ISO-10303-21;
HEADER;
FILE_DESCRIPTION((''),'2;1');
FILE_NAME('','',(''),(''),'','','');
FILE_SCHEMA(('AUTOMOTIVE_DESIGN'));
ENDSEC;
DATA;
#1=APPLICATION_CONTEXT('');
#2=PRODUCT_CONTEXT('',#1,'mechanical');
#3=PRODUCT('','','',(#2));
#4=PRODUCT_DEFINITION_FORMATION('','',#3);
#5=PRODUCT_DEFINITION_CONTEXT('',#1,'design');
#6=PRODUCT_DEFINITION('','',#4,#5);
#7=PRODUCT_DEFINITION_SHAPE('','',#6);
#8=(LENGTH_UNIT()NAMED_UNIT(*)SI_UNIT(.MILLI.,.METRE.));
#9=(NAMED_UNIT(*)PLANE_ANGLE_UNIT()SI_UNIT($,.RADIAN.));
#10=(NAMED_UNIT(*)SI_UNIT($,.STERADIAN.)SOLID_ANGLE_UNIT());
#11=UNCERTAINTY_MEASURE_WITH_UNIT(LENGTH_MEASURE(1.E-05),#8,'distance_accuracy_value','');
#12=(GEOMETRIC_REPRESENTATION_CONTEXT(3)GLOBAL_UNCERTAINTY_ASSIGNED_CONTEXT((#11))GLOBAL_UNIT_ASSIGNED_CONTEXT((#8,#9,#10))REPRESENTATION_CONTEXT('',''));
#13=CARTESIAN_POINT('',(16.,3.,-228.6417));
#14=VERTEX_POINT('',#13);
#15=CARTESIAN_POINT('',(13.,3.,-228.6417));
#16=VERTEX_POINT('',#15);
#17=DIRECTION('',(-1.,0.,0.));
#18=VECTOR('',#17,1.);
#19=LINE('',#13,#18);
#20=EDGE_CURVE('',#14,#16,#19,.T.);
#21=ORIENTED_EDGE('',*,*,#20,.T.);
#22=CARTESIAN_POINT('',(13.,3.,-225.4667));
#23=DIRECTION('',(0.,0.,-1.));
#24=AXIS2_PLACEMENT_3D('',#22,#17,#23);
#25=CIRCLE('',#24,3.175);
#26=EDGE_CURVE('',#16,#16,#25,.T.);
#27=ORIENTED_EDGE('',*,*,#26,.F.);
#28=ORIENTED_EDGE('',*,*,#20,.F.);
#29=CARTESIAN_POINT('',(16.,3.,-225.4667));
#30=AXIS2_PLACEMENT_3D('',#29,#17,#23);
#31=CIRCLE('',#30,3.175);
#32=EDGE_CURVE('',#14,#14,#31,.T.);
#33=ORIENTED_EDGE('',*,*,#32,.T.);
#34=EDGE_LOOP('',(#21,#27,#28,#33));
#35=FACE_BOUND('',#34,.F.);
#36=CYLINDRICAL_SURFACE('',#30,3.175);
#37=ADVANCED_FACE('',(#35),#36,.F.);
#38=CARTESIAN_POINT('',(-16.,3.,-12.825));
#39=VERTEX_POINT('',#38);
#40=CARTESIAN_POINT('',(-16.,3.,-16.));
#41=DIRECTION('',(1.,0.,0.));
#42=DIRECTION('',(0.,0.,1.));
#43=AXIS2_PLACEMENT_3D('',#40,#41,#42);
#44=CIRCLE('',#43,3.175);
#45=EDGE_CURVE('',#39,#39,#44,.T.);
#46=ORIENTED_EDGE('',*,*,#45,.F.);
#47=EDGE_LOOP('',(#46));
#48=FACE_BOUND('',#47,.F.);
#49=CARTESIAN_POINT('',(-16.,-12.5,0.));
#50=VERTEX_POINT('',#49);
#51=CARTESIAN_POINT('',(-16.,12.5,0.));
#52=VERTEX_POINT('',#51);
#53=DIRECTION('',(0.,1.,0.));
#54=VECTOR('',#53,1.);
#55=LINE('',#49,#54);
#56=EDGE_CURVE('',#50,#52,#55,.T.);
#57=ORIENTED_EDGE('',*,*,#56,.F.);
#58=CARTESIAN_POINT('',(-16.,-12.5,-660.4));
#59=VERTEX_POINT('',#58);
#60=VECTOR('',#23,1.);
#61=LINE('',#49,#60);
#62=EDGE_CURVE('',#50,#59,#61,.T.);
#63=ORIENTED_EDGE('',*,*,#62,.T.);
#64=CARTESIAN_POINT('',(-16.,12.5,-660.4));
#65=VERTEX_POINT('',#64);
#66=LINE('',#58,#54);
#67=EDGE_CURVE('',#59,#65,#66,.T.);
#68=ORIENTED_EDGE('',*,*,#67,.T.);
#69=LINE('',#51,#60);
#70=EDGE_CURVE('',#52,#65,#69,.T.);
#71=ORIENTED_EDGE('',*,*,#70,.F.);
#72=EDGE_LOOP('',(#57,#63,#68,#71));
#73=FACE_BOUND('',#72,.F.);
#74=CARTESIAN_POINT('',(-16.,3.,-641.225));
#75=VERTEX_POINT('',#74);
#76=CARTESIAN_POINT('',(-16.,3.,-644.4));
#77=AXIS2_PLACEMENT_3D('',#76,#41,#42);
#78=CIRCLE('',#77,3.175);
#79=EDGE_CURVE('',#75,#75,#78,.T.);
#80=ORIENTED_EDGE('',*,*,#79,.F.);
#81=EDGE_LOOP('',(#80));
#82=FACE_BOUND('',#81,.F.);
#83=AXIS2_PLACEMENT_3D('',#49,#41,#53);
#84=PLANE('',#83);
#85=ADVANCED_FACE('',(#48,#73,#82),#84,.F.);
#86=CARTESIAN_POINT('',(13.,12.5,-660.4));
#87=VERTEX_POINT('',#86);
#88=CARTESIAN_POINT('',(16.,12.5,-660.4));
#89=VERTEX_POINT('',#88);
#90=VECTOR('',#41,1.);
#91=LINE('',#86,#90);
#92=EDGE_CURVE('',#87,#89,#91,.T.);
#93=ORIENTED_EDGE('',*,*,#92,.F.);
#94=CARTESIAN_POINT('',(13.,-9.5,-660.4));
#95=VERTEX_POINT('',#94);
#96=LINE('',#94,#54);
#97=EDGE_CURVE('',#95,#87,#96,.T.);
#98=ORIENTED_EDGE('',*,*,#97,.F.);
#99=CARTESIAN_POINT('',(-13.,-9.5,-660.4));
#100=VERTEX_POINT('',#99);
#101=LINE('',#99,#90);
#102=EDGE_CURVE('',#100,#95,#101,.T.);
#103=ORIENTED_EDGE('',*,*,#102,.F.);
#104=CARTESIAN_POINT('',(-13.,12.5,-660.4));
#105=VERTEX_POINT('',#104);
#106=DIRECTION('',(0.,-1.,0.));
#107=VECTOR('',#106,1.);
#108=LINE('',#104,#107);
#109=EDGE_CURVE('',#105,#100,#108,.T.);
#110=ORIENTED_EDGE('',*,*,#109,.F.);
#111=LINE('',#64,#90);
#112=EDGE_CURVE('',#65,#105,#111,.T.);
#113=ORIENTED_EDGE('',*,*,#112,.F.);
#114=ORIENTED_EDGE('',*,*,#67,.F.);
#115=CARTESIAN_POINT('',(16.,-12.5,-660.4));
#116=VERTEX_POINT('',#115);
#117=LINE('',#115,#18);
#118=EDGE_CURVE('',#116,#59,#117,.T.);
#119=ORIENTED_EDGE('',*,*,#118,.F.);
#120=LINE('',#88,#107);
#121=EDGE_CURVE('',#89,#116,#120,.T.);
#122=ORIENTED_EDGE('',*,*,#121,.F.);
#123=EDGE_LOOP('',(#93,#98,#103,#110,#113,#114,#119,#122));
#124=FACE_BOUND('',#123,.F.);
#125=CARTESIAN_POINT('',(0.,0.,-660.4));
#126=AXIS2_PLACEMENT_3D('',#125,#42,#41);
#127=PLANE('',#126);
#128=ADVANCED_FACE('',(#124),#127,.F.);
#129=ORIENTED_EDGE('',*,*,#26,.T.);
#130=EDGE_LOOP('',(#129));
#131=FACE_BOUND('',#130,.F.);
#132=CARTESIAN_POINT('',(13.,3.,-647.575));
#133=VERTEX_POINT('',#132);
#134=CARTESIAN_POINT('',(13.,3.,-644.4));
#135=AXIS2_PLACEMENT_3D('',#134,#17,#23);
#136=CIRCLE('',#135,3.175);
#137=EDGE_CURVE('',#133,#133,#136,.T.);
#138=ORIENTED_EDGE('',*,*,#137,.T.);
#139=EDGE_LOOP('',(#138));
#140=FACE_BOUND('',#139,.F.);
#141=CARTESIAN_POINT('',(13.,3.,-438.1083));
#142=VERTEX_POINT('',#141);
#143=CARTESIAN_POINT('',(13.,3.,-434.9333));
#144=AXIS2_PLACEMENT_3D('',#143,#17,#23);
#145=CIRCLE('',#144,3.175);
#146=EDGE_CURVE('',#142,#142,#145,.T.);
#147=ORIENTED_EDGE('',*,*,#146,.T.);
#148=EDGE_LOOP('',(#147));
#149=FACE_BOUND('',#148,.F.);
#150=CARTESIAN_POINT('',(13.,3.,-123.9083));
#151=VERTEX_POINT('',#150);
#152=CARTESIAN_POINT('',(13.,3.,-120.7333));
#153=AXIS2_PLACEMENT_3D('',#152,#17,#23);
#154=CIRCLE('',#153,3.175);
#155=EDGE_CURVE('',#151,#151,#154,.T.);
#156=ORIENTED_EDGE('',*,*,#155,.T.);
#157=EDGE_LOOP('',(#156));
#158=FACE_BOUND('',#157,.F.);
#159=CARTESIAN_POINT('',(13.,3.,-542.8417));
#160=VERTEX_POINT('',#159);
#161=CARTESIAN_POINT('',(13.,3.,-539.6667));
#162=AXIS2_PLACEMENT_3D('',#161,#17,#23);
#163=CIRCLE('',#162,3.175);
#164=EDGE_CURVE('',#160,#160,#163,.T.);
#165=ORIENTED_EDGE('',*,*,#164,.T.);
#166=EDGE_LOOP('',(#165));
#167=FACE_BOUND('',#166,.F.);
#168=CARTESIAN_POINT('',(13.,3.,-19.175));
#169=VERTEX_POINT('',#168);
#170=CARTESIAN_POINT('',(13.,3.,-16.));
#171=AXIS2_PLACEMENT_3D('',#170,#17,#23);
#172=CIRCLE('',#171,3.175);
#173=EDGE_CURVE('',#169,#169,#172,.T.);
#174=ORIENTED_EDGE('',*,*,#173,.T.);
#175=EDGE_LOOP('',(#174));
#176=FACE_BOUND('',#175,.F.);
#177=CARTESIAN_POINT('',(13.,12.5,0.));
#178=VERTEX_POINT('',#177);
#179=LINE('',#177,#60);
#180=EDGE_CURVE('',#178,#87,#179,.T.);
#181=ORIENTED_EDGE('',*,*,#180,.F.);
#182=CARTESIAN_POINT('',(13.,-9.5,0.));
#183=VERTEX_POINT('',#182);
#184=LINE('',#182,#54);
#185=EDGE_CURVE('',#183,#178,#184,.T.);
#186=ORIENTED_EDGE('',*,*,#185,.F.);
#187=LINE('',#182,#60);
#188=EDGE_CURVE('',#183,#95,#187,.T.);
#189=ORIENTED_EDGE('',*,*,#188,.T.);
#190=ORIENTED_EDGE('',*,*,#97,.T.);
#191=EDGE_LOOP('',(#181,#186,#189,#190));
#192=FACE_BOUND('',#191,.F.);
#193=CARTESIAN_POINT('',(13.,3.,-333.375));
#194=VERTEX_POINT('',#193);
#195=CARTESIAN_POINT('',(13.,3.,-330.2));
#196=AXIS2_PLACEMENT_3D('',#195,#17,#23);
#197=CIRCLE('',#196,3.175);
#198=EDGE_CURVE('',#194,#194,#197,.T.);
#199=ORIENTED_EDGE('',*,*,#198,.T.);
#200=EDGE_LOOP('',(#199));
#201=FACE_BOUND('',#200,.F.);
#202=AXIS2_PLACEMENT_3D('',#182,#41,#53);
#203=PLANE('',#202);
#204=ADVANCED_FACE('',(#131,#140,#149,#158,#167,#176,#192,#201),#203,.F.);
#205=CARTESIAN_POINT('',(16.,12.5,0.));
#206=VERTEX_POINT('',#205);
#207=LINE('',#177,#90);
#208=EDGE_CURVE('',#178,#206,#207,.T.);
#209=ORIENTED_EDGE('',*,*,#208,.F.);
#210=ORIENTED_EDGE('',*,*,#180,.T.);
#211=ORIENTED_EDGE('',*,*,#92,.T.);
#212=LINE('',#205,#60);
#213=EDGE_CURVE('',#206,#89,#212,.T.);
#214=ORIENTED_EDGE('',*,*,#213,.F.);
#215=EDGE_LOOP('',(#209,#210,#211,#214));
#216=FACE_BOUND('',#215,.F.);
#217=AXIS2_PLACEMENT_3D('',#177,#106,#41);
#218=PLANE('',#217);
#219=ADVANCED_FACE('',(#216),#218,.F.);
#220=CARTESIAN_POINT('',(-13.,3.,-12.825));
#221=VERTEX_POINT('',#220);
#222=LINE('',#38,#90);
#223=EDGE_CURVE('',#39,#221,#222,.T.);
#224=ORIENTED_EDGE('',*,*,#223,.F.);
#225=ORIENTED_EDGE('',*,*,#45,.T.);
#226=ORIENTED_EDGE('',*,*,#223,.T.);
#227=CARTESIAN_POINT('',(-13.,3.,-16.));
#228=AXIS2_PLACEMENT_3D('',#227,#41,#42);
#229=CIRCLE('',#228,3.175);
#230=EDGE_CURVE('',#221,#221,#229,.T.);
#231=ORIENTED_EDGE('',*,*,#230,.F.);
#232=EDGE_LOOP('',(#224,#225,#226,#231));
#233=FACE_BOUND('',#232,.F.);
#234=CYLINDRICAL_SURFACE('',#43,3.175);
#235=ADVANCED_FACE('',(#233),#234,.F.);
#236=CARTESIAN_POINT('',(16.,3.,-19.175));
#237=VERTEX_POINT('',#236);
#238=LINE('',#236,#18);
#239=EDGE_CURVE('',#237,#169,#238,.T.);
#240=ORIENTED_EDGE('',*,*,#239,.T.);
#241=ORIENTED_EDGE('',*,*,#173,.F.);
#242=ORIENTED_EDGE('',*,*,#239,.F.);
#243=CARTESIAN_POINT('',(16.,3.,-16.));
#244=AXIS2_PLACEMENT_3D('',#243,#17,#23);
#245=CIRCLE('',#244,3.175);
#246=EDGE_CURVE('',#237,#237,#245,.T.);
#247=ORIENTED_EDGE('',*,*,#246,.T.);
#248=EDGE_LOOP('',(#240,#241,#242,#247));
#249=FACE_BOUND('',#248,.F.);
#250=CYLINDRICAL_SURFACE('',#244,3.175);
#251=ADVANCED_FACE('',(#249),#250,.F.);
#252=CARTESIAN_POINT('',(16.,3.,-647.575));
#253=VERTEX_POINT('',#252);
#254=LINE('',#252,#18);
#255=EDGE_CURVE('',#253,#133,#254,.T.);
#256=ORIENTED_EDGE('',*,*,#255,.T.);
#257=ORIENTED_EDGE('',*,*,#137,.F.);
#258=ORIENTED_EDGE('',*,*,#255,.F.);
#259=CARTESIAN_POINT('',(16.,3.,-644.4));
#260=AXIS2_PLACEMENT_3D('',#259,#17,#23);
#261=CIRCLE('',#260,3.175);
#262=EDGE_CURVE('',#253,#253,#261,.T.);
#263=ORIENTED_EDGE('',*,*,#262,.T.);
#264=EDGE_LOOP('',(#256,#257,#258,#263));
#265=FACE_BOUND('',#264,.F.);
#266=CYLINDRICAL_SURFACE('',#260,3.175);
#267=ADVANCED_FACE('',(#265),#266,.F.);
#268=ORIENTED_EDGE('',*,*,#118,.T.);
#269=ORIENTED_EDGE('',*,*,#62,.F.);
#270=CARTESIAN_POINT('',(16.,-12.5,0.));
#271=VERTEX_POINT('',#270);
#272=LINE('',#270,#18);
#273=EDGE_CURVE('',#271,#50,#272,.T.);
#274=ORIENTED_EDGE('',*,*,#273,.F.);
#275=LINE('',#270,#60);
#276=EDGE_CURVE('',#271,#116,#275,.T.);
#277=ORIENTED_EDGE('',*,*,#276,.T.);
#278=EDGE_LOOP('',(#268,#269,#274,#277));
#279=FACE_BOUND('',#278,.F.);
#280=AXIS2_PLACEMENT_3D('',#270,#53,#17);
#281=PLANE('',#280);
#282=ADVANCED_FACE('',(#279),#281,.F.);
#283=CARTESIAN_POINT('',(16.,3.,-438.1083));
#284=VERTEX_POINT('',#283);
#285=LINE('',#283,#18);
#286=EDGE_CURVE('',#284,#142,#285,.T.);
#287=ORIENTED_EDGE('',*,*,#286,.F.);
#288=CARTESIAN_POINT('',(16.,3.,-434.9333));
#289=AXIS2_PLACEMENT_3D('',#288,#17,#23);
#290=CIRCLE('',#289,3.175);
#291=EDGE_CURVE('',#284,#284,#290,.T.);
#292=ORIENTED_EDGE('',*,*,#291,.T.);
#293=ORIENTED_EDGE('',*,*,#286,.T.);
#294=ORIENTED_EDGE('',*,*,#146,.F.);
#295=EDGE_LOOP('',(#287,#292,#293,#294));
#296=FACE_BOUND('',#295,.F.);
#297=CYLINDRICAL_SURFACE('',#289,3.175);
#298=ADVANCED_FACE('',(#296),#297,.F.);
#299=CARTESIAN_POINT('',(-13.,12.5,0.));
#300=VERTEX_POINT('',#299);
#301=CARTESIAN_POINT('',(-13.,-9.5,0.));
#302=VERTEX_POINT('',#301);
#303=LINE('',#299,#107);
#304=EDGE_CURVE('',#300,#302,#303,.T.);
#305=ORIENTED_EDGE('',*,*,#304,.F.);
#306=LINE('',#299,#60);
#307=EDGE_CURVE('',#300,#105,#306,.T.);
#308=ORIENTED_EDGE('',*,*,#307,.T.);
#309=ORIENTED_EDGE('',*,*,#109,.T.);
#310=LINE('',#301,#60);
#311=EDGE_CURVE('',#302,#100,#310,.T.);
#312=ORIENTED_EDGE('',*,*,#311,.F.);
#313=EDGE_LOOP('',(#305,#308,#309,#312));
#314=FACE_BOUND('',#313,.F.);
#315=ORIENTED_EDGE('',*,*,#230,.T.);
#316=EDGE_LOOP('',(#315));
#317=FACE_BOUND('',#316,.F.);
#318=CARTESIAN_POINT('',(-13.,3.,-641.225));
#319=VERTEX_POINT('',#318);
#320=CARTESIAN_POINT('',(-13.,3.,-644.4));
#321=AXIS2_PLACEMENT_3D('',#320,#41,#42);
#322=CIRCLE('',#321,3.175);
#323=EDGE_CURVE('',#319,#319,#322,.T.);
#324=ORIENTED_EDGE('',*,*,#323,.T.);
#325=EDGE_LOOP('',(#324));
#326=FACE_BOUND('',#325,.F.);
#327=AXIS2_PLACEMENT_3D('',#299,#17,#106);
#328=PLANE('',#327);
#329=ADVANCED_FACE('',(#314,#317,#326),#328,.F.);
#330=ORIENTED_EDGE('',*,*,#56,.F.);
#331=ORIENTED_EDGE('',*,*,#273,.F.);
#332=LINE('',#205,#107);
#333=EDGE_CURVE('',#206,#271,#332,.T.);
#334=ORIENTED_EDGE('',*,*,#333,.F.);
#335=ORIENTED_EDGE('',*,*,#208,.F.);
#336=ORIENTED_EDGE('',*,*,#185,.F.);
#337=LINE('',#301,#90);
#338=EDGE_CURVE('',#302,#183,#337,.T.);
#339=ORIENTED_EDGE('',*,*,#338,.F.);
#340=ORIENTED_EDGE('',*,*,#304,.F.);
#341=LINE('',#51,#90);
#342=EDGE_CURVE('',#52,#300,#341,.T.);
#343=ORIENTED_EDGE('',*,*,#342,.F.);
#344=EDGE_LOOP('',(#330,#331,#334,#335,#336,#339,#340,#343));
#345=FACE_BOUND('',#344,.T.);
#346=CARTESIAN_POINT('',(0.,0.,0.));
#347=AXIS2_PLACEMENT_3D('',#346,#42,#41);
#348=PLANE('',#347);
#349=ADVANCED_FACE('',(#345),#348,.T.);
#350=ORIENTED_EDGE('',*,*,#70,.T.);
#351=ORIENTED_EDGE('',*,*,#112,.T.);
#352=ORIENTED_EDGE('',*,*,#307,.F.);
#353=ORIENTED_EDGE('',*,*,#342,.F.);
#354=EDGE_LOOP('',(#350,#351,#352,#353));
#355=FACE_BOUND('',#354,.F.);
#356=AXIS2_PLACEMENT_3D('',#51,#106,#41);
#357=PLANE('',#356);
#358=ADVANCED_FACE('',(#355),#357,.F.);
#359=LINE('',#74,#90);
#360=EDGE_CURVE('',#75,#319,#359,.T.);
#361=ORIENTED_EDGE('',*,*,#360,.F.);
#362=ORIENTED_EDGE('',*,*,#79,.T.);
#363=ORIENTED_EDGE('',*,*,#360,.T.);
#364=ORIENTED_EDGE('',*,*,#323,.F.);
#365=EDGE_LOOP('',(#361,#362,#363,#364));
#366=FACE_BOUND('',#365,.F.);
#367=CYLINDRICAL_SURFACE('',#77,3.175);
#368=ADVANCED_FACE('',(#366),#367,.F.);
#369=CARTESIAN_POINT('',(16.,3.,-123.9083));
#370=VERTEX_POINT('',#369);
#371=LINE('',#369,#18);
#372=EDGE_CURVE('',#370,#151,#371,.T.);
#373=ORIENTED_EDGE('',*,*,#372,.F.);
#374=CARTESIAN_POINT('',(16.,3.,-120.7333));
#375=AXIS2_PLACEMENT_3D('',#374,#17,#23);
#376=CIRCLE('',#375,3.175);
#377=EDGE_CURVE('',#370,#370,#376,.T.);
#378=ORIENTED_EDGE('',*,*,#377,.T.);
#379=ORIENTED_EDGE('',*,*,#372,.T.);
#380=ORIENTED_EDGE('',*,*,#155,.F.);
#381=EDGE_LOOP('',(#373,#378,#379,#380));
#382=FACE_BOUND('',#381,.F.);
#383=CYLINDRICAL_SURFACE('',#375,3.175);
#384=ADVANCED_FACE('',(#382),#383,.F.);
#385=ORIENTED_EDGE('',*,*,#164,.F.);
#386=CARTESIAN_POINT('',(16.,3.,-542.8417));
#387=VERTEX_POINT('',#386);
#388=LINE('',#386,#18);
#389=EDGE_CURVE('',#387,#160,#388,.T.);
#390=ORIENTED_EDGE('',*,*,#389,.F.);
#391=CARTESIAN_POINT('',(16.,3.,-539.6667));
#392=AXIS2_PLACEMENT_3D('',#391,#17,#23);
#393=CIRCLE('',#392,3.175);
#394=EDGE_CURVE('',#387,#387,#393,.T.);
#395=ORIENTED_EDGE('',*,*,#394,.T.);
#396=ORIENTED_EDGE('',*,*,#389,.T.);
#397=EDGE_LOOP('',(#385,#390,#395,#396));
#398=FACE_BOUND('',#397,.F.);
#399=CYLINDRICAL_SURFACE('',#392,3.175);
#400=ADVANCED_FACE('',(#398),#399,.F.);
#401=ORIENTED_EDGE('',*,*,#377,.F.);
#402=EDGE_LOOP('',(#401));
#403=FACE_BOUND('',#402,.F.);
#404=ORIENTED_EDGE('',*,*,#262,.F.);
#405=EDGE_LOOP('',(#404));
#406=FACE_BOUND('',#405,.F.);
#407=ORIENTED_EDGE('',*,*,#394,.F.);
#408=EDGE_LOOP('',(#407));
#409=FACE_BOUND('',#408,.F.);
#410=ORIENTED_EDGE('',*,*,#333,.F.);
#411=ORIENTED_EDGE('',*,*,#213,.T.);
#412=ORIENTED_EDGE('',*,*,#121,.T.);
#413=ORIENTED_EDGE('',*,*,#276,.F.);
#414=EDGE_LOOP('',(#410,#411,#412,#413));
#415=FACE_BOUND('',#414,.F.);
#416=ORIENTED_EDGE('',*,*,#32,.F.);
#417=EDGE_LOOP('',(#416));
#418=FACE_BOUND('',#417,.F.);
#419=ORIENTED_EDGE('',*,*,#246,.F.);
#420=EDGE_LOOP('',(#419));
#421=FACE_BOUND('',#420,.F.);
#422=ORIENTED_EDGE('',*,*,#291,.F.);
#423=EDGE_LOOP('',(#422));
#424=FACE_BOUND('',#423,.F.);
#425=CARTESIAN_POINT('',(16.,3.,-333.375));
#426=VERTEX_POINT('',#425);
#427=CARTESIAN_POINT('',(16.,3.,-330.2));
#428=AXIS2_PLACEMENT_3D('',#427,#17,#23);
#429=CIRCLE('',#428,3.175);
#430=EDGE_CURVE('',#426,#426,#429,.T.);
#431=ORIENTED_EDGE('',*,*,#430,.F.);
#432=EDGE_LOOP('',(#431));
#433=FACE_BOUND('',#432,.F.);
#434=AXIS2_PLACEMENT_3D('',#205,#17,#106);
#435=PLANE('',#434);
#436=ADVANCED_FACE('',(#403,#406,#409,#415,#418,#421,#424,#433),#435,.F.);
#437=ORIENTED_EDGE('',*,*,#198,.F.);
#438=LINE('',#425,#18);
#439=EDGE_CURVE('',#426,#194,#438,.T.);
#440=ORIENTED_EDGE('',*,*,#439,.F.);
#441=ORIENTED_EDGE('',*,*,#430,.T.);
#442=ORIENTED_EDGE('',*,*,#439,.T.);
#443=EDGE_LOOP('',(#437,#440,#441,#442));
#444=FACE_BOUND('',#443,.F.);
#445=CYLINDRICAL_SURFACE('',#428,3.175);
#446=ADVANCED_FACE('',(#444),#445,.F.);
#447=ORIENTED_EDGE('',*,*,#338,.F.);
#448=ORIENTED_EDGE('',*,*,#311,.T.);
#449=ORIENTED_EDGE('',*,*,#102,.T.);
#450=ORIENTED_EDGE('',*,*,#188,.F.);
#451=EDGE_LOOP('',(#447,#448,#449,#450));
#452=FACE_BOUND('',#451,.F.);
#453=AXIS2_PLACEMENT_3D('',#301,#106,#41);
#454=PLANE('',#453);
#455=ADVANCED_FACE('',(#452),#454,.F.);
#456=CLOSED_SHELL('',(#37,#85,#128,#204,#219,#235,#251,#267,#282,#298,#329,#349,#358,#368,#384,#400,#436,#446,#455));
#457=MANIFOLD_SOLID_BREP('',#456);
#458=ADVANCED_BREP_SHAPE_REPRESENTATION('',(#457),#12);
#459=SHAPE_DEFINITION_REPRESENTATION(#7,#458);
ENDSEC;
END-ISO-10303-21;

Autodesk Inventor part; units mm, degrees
ref_plane "YZ Plane" through (0, 0, 0) normal (1, 0, 0) x (0, 1, 0)
ref_plane "XZ Plane" through (0, 0, 0) normal (0, 1, 0) x (-1, 0, 0)
ref_plane "XY Plane" through (0, 0, 0) normal (0, 0, 1) x (1, 0, 0)
sketch "Sketch1" plane through (0, 0, 0) normal (0, 0, 1) x (1, 0, 0)
  line L0 (-16, 12.5) -> (-13, 12.5)
  line L1 (-13, 12.5) -> (-13, -9.5)
  line L2 (-13, -9.5) -> (13, -9.5)
  line L3 (13, -9.5) -> (13, 12.5)
  line L4 (13, 12.5) -> (16, 12.5)
  line L5 (16, 12.5) -> (16, -12.5)
  line L6 (16, -12.5) -> (-16, -12.5)
  line L7 (-16, -12.5) -> (-16, 12.5)
  point P0 (0, 0)
  dimension "d0" = 3
  dimension "d2" = 3
  dimension "d3" = 25
  dimension "d4" = 32
  dimension "d5" = 16
  dimension "d7" = 12.5
  dimension "d8" = 3
  dimension "d95" = 25
extrude "Extrusion1" add sketch "Sketch1" against normal blind 660.4
sketch "Sketch5" plane through (16, -12.5, 0) normal (1, 0, 0) x (0, 0, -1)
  circle A0 centre (16, 15.5) radius 3.175
  circle A1 centre (120.7333, 15.5) radius 3.175
  circle A2 centre (225.4667, 15.5) radius 3.175
  circle A3 centre (330.2, 15.5) radius 3.175
  circle A4 centre (434.9333, 15.5) radius 3.175
  circle A5 centre (539.6667, 15.5) radius 3.175
  circle A6 centre (644.4, 15.5) radius 3.175
  line L0 (0, 25) -> (0, 0) projected
  line L1 (660.4, 25) -> (660.4, 0) projected
  line L2 (0, 3) -> (660.4, 3) projected
  point P0 (0, 12.5)
  dimension "d56" = 6.35
  dimension "d58" = 6.35
  dimension "d59" = 6.35
  dimension "d61" = 6.35
  dimension "d63" = 6.35
  dimension "d64" = 6.35
  dimension "d65" = 6.35
  dimension "d68" = 16
  dimension "d78" = 660.4
  dimension "d79" = 16
  dimension "d80" = 628.4
  dimension "d81" = 104.7333
  dimension "d82" = 104.7333
  dimension "d83" = 104.7333
  dimension "d84" = 104.7333
  dimension "d85" = 104.7333
  dimension "d86" = 104.7333
  dimension "d94" = 12.5
hole "Hole1" at (16, 3, -644.4) at (16, 3, -539.6667) at (16, 3, -434.9333) at (16, 3, -330.2) at (16, 3, -225.4667) at (16, 3, -120.7333) at (16, 3, -16) direction (-1, 0, 0) diameter 6.35 depth 3 tip angle 118
sketch "Sketch6" plane through (-16, -12.5, 0) normal (-1, 0, 0) x (0, 0, 1)
  circle A0 centre (-16, 15.5) radius 3.175 projected
  circle A1 centre (-644.4, 15.5) radius 3.175 projected
  circle A2 centre (-644.4, 15.5) radius 3.175
  circle A3 centre (-16, 15.5) radius 3.175
  point P0 (0, 12.5)
hole "Hole2" at (-16, 3, -644.4) at (-16, 3, -16) direction (1, 0, 0) diameter 6.35 depth 3 tip angle 118
equation "\"d2\" = d0"
equation "\"d5\" = 0.5 * d4"
equation "\"d7\" = 0.5 * d3"
equation "\"d8\" = d0"
equation "\"d95\" = d3"
equation "\"d58\" = d56"
equation "\"d59\" = d58"
equation "\"d61\" = d60"
equation "\"d63\" = d62"
equation "\"d64\" = d63"
equation "\"d65\" = d64"
equation "\"d81\" = 0.166667 * d80"
equation "\"d82\" = d81"
equation "\"d83\" = d82"
equation "\"d84\" = d83"
equation "\"d85\" = d84"
equation "\"d60\" = d59"
equation "\"d62\" = d61"
properties part number "26in C-Channel Left" material "Aluminum 6061"
